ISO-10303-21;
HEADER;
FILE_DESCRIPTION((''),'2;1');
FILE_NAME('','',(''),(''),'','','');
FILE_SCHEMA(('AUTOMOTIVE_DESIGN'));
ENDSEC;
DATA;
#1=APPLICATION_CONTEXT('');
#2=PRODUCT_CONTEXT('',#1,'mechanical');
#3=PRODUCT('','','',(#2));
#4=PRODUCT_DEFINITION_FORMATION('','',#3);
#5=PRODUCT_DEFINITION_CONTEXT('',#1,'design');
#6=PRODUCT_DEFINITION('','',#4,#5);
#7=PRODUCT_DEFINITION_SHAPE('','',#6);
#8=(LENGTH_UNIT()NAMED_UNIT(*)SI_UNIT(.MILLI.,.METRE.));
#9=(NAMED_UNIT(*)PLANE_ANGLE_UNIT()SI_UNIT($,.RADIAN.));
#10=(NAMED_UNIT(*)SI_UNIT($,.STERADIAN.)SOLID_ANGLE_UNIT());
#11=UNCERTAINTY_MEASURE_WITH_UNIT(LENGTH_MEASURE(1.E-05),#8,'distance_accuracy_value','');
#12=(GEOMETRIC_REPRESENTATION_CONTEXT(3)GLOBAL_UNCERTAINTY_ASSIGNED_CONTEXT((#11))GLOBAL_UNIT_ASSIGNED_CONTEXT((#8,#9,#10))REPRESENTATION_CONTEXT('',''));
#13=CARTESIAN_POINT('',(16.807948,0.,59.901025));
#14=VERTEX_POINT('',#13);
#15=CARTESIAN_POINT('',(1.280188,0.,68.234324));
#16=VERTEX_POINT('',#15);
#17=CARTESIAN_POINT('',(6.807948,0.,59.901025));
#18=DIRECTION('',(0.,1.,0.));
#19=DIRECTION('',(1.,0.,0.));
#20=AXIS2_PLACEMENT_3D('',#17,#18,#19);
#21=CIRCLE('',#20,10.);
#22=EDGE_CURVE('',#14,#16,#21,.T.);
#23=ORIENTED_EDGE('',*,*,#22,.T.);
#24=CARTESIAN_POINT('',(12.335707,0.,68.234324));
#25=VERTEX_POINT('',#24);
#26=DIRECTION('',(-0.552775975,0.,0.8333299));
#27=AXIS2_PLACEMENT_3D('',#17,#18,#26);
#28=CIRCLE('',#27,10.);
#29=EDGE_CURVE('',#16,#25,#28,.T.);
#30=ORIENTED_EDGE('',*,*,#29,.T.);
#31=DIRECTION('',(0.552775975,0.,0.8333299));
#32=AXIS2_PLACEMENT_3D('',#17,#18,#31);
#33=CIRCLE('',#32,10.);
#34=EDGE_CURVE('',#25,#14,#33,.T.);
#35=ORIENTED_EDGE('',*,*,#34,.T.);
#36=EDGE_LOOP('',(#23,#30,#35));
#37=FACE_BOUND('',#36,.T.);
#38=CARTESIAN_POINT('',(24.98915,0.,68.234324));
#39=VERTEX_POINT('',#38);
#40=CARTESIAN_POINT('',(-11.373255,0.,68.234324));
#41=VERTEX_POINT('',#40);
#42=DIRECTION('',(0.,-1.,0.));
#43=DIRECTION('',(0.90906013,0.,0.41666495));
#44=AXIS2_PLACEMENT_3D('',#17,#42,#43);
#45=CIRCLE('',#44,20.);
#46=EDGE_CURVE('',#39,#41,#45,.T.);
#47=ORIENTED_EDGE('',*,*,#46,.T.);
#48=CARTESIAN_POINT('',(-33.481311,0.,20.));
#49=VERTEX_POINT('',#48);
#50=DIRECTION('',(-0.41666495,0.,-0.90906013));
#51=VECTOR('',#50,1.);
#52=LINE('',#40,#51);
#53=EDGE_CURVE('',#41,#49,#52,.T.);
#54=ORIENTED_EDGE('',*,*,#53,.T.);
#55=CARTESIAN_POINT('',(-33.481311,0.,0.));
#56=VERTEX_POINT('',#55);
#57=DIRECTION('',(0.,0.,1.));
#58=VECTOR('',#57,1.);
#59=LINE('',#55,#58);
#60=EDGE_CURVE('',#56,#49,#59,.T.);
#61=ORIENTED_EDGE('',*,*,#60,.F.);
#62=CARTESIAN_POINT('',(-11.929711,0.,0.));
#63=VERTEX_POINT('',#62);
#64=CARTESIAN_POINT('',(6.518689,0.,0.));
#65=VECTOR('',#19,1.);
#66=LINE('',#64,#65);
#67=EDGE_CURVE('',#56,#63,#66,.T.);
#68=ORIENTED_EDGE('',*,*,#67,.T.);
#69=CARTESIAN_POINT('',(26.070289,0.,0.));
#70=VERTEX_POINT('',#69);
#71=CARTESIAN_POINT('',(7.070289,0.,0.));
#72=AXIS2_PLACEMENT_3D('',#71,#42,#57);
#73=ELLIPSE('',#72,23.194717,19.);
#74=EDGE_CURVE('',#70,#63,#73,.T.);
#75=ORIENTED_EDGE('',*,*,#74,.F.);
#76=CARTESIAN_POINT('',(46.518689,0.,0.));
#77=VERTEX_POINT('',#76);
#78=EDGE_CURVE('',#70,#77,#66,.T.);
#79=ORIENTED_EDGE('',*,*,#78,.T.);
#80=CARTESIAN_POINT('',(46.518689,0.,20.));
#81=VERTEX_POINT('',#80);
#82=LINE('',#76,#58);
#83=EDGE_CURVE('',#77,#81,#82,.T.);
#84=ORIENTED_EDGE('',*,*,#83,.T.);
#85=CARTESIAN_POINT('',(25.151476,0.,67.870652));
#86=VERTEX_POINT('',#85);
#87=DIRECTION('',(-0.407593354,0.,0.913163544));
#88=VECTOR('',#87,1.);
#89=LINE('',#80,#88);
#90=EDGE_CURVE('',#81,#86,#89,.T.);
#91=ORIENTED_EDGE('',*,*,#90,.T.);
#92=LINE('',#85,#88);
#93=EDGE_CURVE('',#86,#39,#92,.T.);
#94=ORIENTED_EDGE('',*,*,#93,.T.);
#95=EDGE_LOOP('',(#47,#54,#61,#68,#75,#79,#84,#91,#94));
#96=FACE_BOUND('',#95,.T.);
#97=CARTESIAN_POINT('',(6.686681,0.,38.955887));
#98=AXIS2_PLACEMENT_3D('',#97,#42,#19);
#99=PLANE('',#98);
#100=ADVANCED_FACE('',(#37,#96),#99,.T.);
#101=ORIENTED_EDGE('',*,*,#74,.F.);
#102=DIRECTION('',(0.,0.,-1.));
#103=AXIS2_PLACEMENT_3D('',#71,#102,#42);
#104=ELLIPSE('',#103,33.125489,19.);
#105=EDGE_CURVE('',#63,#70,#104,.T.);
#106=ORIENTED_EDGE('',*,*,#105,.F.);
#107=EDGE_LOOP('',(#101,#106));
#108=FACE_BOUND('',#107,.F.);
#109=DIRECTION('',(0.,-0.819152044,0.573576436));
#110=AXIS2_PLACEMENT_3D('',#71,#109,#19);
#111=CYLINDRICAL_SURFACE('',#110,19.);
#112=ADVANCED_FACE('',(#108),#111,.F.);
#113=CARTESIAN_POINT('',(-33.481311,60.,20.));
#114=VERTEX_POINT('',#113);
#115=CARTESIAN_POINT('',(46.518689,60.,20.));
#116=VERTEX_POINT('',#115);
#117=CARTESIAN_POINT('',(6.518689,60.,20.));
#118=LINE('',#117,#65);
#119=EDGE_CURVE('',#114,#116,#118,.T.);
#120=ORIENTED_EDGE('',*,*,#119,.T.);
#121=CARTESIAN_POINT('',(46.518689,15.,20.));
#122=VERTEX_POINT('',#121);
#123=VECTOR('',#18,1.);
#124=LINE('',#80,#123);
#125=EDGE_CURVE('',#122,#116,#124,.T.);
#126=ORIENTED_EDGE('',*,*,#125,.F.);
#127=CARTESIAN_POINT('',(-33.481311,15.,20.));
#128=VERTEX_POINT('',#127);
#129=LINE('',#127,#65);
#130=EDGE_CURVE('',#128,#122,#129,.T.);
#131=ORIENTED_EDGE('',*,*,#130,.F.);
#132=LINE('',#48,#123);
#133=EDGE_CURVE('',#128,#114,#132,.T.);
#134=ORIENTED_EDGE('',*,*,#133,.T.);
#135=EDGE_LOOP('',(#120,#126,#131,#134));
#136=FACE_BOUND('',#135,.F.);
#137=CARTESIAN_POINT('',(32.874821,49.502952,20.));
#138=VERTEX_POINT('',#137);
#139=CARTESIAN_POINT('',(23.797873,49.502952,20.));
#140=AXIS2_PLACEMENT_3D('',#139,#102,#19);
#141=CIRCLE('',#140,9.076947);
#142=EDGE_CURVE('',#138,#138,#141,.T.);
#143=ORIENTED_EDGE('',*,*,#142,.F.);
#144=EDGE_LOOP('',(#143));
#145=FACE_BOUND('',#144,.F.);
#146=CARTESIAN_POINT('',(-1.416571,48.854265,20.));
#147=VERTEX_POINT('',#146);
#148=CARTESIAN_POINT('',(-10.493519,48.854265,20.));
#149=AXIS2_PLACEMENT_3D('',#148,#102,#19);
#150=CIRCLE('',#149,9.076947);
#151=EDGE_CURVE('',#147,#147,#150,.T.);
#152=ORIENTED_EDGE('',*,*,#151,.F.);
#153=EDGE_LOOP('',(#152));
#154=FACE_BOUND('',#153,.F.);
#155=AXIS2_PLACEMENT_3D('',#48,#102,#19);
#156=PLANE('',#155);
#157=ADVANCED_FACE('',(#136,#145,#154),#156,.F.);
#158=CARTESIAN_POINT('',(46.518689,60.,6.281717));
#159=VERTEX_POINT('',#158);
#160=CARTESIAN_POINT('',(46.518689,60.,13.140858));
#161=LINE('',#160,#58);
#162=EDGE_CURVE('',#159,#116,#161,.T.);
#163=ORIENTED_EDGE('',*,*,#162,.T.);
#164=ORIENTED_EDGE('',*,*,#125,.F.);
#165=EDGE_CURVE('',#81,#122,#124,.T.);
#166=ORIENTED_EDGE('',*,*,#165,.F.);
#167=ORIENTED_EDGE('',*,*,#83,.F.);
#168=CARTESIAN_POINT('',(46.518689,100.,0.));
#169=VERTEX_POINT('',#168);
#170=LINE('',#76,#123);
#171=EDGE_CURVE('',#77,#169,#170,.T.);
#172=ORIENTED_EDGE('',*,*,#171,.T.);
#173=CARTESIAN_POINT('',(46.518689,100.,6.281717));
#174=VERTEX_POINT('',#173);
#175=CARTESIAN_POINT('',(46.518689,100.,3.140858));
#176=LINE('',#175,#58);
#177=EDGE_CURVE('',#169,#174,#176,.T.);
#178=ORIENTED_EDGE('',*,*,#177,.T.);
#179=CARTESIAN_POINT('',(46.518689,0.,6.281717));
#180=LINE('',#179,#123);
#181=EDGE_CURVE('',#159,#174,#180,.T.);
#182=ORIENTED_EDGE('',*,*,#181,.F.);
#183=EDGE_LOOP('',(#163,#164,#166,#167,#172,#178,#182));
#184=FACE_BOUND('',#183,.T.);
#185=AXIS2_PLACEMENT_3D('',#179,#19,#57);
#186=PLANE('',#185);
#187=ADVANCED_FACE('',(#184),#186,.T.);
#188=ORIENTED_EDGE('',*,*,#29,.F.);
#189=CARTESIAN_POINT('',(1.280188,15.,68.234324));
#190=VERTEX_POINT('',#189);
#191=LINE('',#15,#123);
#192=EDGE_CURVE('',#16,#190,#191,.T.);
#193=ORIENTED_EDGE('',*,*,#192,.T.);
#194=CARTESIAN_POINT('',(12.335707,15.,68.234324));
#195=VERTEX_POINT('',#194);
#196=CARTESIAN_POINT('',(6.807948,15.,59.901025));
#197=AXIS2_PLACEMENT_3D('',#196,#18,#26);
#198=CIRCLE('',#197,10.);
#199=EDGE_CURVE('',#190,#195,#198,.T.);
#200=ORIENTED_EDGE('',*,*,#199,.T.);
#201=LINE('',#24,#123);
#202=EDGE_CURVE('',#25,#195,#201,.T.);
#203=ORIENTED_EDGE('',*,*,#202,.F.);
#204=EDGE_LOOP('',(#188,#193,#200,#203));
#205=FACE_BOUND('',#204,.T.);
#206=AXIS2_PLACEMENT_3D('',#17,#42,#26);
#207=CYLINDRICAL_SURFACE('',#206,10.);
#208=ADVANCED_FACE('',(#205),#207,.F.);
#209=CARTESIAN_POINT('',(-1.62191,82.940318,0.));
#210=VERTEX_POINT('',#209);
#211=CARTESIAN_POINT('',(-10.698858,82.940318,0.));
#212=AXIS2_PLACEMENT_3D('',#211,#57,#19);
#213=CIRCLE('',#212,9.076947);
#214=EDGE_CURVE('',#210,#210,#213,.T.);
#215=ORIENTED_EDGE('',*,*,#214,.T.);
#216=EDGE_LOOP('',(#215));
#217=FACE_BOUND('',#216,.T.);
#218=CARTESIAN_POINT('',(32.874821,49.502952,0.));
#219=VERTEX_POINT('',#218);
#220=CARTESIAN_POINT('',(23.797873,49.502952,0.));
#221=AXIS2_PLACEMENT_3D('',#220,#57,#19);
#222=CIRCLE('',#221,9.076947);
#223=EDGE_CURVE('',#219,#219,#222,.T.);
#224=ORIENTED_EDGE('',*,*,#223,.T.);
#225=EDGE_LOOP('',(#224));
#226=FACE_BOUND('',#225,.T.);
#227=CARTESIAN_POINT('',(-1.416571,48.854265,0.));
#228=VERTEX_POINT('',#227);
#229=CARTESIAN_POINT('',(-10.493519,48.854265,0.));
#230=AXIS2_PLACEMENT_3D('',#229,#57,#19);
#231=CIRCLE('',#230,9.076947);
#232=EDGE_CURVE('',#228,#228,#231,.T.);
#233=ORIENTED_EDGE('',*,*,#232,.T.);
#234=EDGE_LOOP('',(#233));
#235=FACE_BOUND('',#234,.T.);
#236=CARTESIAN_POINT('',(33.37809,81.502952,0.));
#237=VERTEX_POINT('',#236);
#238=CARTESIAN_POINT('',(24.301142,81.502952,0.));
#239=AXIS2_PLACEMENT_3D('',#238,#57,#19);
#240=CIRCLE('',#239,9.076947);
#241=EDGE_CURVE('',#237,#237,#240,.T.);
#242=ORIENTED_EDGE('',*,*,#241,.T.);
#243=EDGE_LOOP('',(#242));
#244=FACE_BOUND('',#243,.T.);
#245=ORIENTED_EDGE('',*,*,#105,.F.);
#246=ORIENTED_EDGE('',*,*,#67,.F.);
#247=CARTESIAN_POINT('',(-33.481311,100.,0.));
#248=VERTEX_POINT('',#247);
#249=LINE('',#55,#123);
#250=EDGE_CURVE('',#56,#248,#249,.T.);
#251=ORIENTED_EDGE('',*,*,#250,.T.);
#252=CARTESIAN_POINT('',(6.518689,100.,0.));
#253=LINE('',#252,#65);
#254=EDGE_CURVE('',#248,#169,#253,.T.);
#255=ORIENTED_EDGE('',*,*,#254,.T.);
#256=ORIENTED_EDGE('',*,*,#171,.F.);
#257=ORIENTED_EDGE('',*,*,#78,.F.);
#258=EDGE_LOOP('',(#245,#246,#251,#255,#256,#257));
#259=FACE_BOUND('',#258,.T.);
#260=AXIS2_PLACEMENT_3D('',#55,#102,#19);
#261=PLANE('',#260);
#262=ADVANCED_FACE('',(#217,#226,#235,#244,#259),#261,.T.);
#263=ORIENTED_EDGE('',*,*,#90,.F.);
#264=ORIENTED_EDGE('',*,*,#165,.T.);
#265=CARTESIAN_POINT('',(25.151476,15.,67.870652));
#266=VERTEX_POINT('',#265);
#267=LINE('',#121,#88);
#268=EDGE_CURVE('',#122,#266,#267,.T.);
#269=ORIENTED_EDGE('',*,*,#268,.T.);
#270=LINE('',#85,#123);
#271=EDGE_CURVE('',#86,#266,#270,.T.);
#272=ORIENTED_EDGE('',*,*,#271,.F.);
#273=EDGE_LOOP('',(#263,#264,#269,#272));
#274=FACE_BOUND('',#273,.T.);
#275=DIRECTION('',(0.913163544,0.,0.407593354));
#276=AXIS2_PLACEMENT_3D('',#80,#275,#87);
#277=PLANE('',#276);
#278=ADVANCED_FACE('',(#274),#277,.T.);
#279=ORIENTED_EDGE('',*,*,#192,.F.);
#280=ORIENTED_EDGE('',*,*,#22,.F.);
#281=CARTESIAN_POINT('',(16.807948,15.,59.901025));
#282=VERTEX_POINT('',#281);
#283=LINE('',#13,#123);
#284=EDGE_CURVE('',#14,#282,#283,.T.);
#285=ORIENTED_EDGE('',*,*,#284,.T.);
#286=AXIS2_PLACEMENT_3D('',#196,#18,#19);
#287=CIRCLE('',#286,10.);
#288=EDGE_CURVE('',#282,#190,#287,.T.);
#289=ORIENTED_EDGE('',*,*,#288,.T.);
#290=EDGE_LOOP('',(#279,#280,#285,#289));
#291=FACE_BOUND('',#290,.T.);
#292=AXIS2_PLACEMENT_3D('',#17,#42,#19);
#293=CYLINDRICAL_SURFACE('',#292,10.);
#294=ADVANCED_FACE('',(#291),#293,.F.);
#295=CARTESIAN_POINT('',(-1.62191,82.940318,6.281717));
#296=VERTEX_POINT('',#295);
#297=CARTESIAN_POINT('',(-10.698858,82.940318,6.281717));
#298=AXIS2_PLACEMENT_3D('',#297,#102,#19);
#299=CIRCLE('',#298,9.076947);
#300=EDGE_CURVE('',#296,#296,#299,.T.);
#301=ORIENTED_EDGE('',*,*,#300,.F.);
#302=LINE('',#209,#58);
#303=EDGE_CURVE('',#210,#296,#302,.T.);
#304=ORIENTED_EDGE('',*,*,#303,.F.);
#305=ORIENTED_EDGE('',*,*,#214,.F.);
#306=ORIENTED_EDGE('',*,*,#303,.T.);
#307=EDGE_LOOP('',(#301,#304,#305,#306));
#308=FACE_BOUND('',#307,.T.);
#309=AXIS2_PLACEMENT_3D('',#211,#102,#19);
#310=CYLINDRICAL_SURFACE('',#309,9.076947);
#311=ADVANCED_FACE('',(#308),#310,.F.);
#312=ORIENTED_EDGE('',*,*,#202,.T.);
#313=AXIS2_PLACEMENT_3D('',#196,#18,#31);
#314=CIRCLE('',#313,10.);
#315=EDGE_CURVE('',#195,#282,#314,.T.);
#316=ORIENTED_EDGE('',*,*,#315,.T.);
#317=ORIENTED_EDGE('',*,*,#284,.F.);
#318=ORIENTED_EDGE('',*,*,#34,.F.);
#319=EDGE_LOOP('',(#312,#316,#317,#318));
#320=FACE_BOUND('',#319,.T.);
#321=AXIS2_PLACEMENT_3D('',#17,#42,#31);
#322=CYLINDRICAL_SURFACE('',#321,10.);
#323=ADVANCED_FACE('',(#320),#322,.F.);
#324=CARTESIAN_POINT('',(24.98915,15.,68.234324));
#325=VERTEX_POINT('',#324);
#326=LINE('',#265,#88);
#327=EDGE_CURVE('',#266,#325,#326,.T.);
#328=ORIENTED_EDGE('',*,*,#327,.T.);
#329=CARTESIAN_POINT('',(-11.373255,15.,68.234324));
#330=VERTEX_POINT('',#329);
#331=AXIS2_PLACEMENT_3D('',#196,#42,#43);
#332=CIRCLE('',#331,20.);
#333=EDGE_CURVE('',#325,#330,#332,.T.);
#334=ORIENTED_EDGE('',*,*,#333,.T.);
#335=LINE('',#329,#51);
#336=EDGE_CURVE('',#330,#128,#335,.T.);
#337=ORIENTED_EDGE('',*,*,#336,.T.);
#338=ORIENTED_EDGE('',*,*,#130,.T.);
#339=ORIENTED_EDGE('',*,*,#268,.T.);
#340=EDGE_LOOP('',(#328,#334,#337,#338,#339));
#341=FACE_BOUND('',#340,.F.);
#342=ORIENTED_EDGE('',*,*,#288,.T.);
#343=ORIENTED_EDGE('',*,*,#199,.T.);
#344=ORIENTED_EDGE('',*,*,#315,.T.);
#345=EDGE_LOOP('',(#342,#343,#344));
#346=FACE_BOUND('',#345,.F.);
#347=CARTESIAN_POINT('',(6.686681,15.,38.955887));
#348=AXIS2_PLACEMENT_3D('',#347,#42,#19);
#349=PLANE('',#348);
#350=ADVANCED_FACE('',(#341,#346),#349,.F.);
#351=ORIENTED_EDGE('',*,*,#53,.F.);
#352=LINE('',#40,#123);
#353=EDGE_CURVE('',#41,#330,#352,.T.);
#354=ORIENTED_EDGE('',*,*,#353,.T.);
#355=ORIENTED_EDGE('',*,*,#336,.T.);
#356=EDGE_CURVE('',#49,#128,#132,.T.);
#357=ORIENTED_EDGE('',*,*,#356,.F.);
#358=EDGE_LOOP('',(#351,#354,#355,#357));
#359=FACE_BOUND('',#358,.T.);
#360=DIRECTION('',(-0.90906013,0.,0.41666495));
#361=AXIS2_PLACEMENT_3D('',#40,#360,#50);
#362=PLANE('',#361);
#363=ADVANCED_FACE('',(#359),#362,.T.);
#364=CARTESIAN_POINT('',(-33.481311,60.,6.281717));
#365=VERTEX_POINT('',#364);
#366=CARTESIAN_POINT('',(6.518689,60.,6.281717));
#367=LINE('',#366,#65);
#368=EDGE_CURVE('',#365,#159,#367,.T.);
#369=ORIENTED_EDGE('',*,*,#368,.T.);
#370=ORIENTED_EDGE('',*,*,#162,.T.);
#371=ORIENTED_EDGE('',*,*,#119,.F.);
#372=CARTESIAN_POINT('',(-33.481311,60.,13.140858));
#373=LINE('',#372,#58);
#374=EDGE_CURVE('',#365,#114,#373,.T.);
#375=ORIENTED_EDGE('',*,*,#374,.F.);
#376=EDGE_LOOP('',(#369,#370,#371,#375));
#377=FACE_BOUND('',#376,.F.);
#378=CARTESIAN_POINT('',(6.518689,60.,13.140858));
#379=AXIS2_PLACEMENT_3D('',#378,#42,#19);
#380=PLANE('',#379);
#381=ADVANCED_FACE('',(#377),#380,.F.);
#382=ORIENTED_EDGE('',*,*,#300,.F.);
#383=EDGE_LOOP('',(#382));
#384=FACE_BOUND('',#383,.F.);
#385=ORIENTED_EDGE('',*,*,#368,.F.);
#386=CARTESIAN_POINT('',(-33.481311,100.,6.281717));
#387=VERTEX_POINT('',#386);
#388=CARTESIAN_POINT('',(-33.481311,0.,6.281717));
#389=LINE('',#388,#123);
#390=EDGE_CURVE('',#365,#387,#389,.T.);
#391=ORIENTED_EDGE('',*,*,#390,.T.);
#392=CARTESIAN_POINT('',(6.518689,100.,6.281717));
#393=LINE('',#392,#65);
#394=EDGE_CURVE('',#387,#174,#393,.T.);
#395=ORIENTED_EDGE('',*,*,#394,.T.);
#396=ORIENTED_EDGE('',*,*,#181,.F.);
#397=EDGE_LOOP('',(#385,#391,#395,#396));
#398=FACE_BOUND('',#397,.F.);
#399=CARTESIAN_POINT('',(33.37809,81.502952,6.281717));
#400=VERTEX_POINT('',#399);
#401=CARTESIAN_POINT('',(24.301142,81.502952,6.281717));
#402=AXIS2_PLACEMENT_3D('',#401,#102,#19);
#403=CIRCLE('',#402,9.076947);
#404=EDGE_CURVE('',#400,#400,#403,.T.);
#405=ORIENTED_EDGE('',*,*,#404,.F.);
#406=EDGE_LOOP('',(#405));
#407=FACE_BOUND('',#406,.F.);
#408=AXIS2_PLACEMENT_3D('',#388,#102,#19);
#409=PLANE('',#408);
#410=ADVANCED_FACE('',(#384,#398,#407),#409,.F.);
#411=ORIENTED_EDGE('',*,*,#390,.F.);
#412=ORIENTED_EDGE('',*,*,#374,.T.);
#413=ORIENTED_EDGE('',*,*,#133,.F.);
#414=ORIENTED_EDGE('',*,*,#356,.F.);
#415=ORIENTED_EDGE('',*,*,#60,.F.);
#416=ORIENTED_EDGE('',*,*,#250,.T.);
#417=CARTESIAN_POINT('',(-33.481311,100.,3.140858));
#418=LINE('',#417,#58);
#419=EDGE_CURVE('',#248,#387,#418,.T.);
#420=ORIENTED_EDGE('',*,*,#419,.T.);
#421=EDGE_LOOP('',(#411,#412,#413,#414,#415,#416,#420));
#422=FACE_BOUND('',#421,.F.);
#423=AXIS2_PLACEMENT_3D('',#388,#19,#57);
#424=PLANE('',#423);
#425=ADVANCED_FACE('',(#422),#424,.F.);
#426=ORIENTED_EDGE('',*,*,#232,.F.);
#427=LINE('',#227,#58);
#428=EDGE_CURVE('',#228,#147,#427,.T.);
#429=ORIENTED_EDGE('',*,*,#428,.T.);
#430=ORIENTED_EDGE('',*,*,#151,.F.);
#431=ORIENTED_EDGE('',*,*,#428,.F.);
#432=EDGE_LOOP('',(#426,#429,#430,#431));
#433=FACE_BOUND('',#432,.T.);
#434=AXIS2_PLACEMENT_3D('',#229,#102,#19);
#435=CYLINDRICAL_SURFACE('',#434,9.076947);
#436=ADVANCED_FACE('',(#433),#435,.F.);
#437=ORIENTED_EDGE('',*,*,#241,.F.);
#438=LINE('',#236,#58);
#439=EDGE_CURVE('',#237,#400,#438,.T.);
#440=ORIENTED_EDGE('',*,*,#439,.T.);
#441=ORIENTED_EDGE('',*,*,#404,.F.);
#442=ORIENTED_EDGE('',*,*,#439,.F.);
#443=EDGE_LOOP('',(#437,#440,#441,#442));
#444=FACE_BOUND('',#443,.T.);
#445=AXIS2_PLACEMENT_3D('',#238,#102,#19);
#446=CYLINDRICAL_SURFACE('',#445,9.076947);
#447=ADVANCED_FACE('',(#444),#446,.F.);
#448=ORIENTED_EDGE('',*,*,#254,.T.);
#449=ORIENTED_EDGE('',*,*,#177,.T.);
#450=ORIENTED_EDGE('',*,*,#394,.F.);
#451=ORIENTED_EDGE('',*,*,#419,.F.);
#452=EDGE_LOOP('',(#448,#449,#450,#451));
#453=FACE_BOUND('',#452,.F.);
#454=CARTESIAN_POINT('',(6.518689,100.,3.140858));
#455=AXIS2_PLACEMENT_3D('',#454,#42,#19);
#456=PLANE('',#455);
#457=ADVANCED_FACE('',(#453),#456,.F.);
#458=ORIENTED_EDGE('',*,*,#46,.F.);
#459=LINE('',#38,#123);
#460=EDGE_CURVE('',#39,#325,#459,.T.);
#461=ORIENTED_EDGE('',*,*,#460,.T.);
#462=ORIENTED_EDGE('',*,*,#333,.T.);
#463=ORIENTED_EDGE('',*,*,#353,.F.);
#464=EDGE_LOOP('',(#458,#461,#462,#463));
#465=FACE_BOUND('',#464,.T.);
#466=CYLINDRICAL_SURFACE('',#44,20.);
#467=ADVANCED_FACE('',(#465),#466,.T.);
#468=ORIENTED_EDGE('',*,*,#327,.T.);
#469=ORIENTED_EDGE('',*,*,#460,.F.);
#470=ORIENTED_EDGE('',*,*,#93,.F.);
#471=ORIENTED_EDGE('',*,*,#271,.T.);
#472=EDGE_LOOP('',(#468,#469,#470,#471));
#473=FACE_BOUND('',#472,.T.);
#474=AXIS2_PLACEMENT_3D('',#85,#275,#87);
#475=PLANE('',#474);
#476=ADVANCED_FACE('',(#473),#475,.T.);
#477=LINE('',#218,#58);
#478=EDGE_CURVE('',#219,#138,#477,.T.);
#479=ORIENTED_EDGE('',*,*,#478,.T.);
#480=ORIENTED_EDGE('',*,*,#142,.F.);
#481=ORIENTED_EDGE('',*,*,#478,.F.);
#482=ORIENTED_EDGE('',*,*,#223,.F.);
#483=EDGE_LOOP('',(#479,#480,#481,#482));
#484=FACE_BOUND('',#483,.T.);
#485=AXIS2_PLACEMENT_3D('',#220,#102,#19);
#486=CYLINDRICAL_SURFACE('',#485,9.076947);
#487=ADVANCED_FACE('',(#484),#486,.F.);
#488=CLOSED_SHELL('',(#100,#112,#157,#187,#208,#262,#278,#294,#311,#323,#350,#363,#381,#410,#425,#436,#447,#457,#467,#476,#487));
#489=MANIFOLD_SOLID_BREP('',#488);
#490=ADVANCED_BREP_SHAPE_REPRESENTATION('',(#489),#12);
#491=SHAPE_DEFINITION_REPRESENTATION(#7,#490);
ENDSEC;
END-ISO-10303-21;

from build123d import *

# Parameters (mm, degrees)
F0_W     = 80
F0_H     = 6.2817167491
F1_DEPTH = 100
F0_H_2   = 13.7182832509
F2_DEPTH = 60
F3_DEPTH = 15
F4_R     = 9.0769472969
F5_DEPTH = 25
F7_R     = 19
F8_DEPTH = 50


with BuildPart() as f1:
    # F0 (on Front) → F1 (new body)
    with BuildSketch(Plane.XZ):
        with Locations((6.518688947, 3.1408583745)):
            Rectangle(F0_W, F0_H)
    extrude(amount=-F1_DEPTH)

    # F0 (on Front) → F2 (join)
    with BuildSketch(Plane.XZ):
        with Locations((6.518688947, 13.1408583745)):
            Rectangle(F0_W, F0_H_2)
    extrude(amount=-F2_DEPTH)

    # F0 (on Front) → F3 (join)
    with BuildSketch(Plane.XZ):
        with BuildLine():
            Line((-11.373255065, 68.2343241419), (-33.481311053, 20))
            Line((-33.481311053, 20), (46.518688947, 20))
            Line((46.518688947, 20), (25.1514762131, 67.870652208))
            ThreePointArc((25.1514762131, 67.870652208), (26.3894512228, 63.9710021957), (26.8079475313, 59.9010251462))
            ThreePointArc((26.8079475313, 59.9010251462), (2.5432114273, 40.3610142465), (-11.373255065, 68.2343241419))
        make_face()
        with BuildLine():
            Line((1.2801877818, 68.2343241419), (-11.373255065, 68.2343241419))
            ThreePointArc((-11.373255065, 68.2343241419), (2.5432114273, 40.3610142465), (26.8079475313, 59.9010251462))
            ThreePointArc((26.8079475313, 59.9010251462), (26.3894512228, 63.9710021957), (25.1514762131, 67.870652208))
            Line((25.1514762131, 67.870652208), (24.9891501277, 68.2343241419))
            Line((24.9891501277, 68.2343241419), (12.3357072809, 68.2343241419))
            ThreePointArc((12.3357072809, 68.2343241419), (15.6192356748, 64.6297883305), (16.8079475313, 59.9010251462))
            ThreePointArc((16.8079475313, 59.9010251462), (2.0791843471, 51.0897370028), (1.2801877818, 68.2343241419))
        make_face()
        with BuildLine():
            ThreePointArc((24.9891501277, 68.2343241419), (6.8079475313, 79.9010251462), (-11.373255065, 68.2343241419))
            Line((-11.373255065, 68.2343241419), (1.2801877818, 68.2343241419))
            ThreePointArc((1.2801877818, 68.2343241419), (6.8079475313, 69.9010251462), (12.3357072809, 68.2343241419))
            Line((12.3357072809, 68.2343241419), (24.9891501277, 68.2343241419))
        make_face()
    extrude(amount=-F3_DEPTH)

    # F4 (on Top) → F5 (cut)
    with BuildSketch(Plane.XY):
        with Locations((23.7978734076, 49.5029516816)):
            Circle(F4_R)
        with Locations((24.3011422828, 81.5029516816)):
            Circle(F4_R)
        with Locations((-10.6988577172, 82.9403176904)):
            Circle(F4_R)
        with Locations((-10.4935187846, 48.854265362)):
            Circle(F4_R)
    extrude(amount=F5_DEPTH, mode=Mode.SUBTRACT)

    # F7 (on line) → F8 (cut, symmetric)
    with BuildSketch(Plane(origin=(0, 0, 0), x_dir=(1, 0, 0), z_dir=(0, -0.8191520443, 0.5735764364))):
        with Locations((7.0702885278, 0)):
            Circle(F7_R)
    extrude(amount=F8_DEPTH, both=True, mode=Mode.SUBTRACT)


solid = f1.part
